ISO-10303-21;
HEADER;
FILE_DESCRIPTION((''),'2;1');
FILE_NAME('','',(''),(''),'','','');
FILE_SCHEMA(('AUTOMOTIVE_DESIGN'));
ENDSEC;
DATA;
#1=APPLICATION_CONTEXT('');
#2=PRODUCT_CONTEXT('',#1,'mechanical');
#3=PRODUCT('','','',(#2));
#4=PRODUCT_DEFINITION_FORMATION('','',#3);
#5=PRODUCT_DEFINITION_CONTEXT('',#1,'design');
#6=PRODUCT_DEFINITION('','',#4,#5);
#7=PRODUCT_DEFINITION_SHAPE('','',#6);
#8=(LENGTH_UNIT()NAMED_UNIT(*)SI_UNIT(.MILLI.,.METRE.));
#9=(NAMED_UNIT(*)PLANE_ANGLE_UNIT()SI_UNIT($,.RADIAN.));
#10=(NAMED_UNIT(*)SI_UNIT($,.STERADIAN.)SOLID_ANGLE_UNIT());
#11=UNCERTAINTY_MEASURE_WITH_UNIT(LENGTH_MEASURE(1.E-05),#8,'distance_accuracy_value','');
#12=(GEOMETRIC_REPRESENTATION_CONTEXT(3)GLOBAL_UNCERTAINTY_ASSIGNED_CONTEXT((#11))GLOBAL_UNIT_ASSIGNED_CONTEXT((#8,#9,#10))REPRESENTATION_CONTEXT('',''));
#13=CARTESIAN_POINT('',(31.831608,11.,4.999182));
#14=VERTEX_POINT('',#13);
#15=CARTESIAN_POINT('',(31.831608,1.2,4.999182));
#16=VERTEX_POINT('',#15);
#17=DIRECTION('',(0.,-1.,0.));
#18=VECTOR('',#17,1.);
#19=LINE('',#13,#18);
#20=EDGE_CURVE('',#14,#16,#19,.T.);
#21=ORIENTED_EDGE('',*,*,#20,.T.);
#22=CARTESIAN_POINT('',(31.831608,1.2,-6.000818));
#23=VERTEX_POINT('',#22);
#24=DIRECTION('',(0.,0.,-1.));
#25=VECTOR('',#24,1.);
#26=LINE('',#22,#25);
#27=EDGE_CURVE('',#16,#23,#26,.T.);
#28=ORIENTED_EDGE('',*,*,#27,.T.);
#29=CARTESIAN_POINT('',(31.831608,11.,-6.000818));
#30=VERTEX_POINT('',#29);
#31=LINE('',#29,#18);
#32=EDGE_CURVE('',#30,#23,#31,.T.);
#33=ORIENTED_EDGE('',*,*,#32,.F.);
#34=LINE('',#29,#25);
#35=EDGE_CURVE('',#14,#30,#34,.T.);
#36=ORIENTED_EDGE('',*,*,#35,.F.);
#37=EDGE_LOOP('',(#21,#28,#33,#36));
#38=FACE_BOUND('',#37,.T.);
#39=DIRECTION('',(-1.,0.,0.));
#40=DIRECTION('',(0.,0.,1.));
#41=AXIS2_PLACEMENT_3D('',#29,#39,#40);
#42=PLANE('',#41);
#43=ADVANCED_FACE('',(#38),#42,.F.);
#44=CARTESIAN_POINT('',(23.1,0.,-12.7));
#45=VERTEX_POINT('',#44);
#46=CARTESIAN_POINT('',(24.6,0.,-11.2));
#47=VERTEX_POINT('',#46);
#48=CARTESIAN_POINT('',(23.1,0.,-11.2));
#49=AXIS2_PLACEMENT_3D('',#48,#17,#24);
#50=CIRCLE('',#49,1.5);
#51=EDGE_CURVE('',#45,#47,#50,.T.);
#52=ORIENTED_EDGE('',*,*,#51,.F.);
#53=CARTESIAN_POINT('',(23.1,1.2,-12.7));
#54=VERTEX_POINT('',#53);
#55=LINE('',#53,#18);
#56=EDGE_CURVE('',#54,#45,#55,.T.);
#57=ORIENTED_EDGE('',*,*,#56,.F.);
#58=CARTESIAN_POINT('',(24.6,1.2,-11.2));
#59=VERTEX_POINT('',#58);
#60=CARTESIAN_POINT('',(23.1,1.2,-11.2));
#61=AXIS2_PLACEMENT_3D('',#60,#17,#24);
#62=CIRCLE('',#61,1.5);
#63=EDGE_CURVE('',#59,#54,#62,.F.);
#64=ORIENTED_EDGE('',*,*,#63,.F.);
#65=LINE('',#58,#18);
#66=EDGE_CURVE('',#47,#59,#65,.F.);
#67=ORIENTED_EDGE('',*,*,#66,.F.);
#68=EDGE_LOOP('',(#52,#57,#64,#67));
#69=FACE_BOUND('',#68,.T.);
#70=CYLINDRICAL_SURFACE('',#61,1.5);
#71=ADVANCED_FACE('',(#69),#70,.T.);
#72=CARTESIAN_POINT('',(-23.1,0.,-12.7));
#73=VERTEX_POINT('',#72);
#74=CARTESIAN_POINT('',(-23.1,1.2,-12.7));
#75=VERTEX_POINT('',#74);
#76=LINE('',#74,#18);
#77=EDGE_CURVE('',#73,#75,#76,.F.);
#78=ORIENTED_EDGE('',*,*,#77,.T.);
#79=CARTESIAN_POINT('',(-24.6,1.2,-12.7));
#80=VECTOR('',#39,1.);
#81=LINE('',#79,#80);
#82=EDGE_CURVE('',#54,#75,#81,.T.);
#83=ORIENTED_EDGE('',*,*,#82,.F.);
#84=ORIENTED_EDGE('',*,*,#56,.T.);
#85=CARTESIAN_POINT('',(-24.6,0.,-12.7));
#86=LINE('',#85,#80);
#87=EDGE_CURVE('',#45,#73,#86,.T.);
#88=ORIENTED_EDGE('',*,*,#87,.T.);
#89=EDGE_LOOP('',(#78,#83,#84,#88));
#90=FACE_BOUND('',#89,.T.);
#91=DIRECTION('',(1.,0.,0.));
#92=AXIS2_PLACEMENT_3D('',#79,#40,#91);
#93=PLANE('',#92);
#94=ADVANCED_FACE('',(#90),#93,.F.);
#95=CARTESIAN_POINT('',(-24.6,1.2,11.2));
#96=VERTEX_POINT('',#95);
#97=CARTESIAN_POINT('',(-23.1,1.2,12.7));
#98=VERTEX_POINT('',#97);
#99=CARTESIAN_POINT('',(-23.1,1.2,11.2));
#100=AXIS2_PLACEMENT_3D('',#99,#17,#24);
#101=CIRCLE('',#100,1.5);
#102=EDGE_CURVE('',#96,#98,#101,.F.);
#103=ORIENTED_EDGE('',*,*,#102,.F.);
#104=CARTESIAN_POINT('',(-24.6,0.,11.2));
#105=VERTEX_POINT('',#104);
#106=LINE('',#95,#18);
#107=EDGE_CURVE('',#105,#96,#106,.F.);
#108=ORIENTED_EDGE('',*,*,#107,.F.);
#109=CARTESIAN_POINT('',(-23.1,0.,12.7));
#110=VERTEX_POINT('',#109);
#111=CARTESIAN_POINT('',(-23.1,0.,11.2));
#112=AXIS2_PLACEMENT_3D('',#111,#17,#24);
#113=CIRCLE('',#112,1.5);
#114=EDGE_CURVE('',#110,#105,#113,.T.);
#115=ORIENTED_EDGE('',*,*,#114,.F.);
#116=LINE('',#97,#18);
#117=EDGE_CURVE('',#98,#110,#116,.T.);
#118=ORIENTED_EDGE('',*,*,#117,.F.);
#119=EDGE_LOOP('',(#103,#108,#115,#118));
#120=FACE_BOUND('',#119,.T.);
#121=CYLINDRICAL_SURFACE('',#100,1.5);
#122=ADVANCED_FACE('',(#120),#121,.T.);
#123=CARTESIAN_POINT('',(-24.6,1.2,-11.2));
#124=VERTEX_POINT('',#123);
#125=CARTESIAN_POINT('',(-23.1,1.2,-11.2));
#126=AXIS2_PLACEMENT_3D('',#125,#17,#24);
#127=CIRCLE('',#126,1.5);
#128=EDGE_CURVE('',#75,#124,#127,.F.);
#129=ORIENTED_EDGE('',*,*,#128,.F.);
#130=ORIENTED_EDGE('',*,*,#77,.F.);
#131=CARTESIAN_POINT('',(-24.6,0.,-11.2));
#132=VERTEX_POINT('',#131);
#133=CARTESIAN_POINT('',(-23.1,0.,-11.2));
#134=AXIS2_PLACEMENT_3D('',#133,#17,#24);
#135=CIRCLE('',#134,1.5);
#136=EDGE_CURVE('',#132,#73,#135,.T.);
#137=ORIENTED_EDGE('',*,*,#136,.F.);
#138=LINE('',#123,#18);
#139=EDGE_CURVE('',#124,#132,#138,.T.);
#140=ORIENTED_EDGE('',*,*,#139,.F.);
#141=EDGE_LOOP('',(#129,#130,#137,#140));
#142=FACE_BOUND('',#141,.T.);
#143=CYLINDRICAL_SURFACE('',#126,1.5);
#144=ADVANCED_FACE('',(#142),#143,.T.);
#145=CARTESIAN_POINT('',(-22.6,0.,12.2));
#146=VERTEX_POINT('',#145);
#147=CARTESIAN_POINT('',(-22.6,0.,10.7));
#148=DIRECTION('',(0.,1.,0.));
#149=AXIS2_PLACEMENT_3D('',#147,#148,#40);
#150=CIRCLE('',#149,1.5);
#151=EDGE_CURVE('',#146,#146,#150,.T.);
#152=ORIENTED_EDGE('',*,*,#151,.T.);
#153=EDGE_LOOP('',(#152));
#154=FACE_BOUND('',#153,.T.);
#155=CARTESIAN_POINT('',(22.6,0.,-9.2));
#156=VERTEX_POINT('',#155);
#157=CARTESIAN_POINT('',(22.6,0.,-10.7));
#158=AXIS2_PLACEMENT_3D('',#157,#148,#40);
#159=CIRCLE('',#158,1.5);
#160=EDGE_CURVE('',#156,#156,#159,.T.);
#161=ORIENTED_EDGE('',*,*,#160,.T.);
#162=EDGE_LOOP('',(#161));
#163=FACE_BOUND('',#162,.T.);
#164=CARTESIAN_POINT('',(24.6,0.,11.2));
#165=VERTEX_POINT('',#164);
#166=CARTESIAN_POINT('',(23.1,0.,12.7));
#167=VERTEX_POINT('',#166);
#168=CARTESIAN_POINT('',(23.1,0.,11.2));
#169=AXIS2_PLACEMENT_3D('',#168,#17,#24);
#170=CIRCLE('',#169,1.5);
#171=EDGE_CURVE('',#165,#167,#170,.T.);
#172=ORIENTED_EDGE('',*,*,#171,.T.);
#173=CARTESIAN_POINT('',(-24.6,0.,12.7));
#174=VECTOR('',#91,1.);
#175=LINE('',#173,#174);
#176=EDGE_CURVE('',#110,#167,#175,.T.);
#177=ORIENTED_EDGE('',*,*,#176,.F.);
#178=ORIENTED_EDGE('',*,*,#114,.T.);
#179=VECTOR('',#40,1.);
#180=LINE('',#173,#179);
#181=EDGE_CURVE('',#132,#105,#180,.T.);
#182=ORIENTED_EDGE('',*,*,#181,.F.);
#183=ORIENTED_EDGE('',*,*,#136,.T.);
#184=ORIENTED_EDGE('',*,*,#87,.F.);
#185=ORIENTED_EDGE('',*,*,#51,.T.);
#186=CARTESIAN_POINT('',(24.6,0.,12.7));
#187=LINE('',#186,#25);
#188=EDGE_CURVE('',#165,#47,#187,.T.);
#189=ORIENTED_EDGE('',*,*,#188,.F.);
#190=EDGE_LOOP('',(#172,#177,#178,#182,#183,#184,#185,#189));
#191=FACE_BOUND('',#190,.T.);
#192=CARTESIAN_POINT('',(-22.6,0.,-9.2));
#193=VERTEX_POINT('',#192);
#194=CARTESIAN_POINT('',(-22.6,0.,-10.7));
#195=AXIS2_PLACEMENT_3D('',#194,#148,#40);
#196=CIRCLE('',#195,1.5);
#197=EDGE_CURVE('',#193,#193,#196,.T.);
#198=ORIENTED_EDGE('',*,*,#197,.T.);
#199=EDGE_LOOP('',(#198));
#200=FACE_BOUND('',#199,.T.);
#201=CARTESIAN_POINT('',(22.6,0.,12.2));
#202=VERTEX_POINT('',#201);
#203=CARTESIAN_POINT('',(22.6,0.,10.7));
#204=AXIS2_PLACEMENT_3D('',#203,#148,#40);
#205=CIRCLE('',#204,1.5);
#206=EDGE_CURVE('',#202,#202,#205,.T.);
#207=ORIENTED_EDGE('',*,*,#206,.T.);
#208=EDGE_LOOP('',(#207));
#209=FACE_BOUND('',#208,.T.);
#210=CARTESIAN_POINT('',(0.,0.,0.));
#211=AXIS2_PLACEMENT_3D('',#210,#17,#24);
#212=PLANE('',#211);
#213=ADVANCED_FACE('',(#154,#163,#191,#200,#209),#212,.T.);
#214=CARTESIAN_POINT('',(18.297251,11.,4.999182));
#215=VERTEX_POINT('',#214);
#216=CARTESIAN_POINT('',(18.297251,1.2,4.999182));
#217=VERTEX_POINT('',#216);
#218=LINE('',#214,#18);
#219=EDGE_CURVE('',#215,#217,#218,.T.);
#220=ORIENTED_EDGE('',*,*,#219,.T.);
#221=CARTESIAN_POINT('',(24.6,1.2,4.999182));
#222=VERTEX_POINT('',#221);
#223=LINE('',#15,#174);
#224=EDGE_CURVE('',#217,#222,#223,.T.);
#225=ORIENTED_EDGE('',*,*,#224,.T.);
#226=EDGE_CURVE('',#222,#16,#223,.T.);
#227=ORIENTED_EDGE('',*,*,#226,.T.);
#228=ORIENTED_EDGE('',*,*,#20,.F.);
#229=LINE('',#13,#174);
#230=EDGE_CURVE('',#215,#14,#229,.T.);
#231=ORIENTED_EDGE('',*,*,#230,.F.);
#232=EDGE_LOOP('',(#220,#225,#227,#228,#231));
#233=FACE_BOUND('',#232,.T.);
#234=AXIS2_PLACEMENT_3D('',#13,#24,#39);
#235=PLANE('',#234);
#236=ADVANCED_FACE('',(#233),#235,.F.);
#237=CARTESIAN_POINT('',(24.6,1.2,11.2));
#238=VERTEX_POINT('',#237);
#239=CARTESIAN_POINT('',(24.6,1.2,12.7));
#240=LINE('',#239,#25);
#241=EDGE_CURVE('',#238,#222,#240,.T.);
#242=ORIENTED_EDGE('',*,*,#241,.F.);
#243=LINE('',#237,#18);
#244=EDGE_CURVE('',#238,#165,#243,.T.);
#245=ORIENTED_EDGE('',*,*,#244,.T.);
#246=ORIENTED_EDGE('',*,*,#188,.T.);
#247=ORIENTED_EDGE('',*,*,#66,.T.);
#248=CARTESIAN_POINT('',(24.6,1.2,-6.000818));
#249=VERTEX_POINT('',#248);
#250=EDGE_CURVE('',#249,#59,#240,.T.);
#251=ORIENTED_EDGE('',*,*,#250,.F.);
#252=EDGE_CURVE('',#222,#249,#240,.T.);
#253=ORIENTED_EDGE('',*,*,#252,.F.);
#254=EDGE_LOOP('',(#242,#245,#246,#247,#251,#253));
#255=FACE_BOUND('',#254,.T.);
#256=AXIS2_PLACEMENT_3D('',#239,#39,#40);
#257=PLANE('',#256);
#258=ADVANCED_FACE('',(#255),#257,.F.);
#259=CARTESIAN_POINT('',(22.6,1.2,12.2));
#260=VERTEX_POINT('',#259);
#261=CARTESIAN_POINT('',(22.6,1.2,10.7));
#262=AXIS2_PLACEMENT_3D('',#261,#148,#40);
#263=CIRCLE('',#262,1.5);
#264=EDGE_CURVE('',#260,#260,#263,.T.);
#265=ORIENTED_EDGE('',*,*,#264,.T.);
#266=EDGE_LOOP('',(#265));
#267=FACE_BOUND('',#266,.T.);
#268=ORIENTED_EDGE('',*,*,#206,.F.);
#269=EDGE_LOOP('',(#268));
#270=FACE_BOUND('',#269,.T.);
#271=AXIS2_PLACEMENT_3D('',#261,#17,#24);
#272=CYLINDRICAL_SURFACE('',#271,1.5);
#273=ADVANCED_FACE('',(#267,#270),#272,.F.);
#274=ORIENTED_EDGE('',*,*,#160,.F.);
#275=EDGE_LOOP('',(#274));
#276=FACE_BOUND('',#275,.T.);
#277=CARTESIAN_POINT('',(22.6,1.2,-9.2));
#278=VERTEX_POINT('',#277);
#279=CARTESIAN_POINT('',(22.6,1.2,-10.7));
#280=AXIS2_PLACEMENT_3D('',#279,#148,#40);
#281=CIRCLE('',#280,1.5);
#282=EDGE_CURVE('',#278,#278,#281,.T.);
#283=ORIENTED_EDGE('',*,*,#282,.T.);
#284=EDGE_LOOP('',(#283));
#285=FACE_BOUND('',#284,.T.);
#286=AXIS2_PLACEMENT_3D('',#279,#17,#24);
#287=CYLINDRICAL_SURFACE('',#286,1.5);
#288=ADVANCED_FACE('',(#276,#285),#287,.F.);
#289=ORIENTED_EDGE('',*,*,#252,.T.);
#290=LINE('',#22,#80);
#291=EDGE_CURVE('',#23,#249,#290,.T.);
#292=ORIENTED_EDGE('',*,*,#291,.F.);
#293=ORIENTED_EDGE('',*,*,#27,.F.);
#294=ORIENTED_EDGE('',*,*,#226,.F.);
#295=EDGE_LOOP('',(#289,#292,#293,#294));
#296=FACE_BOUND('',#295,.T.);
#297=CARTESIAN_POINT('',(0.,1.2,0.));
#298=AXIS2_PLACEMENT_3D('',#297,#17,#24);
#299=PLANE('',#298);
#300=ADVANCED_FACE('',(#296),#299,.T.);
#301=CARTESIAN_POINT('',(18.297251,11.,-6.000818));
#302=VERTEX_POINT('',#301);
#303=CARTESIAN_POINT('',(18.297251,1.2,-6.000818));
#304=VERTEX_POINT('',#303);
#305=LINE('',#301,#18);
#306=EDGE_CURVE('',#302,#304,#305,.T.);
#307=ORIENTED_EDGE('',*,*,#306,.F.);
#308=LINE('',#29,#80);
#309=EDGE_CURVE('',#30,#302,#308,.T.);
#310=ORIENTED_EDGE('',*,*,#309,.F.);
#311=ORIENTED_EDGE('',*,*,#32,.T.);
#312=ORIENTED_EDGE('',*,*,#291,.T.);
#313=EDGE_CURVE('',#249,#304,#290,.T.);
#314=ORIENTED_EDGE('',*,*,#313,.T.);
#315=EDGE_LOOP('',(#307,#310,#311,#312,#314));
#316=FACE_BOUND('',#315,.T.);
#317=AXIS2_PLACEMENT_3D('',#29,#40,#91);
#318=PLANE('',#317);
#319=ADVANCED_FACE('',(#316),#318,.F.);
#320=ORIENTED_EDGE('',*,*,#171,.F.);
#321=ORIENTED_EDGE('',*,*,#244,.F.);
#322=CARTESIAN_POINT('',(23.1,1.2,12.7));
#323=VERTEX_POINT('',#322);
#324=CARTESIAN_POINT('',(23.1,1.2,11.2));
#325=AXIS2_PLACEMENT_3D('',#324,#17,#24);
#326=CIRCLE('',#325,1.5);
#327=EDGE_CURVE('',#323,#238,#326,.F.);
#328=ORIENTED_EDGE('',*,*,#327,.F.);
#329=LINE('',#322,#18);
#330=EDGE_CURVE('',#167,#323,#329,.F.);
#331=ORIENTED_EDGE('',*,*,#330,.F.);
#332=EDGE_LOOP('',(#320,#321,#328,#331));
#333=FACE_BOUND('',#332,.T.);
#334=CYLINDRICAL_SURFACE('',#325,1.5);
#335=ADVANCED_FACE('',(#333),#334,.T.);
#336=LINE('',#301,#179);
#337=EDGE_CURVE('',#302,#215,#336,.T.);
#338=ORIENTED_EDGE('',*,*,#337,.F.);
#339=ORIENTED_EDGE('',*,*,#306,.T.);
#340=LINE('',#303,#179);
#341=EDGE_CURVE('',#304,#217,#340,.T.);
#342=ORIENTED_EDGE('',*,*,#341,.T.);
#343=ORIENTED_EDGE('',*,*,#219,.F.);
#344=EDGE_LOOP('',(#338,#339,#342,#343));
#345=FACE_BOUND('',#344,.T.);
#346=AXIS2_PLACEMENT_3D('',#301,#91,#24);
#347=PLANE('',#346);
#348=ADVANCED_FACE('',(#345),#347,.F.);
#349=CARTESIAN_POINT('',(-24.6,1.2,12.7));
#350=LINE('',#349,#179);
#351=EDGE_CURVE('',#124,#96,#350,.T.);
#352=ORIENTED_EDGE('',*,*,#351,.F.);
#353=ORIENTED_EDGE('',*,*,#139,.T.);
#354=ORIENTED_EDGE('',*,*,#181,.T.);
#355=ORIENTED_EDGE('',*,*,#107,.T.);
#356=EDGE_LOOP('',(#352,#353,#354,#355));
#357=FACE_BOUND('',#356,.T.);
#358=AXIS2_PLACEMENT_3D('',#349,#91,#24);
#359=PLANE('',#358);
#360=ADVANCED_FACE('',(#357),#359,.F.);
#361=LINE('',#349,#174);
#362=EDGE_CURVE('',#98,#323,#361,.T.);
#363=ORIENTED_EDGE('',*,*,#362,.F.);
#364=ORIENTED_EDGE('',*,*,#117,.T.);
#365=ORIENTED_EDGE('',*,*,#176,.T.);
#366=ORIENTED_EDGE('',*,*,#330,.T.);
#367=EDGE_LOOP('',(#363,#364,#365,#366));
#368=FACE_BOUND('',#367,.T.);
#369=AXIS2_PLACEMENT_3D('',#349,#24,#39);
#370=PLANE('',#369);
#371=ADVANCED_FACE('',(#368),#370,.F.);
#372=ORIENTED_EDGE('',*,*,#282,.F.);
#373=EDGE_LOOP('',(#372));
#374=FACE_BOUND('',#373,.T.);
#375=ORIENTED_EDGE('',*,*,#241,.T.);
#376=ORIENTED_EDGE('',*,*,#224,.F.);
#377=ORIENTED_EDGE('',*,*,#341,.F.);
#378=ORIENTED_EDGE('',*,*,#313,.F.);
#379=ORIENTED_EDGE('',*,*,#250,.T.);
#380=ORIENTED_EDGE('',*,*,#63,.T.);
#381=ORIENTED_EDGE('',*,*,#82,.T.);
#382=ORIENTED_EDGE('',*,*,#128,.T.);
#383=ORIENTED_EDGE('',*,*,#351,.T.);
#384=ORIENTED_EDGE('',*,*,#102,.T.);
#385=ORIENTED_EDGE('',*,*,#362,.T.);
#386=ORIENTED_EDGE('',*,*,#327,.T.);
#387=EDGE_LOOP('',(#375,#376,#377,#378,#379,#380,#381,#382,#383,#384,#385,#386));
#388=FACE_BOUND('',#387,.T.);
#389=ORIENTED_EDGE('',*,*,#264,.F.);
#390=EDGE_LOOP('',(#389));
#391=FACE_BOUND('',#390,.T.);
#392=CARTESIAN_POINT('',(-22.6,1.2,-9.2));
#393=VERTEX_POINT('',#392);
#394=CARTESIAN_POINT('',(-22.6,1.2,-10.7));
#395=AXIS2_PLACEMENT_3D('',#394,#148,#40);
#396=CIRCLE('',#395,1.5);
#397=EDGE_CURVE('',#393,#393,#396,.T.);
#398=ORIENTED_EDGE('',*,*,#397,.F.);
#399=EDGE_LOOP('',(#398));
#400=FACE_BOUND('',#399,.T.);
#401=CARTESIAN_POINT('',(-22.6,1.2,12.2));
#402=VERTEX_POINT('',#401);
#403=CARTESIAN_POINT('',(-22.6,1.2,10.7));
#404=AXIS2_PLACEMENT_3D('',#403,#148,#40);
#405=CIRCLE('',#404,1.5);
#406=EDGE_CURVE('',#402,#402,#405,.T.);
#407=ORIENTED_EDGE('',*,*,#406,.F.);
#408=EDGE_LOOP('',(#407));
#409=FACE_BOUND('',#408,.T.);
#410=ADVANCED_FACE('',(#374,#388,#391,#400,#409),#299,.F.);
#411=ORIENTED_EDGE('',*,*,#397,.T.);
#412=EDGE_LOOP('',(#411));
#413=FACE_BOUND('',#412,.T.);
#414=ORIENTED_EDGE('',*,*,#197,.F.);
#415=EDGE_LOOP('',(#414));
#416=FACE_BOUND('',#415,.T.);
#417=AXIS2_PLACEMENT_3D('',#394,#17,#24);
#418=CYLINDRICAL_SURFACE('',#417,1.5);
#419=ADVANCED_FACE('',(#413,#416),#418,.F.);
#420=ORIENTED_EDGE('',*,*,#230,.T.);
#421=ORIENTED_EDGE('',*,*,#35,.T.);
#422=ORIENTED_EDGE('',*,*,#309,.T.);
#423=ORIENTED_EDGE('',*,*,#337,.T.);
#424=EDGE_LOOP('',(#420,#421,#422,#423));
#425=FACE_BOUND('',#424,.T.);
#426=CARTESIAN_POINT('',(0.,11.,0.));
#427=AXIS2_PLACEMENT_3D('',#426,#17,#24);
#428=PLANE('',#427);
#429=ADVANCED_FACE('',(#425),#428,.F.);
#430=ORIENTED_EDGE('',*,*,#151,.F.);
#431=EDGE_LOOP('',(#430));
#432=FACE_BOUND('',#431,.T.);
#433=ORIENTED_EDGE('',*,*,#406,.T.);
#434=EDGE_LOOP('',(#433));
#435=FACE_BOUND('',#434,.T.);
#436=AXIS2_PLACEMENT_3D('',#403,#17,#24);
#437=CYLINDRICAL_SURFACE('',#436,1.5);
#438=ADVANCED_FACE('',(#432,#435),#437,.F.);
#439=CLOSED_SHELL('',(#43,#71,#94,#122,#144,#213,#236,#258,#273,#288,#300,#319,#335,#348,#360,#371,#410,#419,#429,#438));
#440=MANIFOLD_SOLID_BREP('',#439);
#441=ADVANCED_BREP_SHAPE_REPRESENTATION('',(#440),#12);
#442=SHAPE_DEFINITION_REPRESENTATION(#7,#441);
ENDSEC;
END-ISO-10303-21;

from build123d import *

# Parameters (mm, degrees)
ESQUISSE1_W        = 49.2
ESQUISSE1_H        = 25.4
ESQUISSE1_R        = 1.5
BOSS_EXTRU_1_DEPTH = 1.2
CONG_1_R           = 1.5
CONG_2_R           = 1.5
CONG_3_R           = 1.5
CONG_4_R           = 1.5
ESQUISSE3_W        = 13.534356754
ESQUISSE3_H        = 11
BOSS_EXTRU_2_DEPTH = 9.8


with BuildPart() as part:
    # Esquisse1 → Boss.-Extru.1 (new body)
    with BuildSketch(Plane(origin=(0, 0, 0), x_dir=(1, 0, 0), z_dir=(0, 1, 0))):
        Rectangle(ESQUISSE1_W, ESQUISSE1_H)
        with Locations(Location((22.6, 10.7, 0), (0, 0, 270))):
            Circle(ESQUISSE1_R, mode=Mode.SUBTRACT)
        with Locations(Location((22.6, -10.7, 0), (0, 0, 270))):
            Circle(ESQUISSE1_R, mode=Mode.SUBTRACT)
        with Locations(Location((-22.6, -10.7, 0), (0, 0, 270))):
            Circle(ESQUISSE1_R, mode=Mode.SUBTRACT)
        with Locations(Location((-22.6, 10.7, 0), (0, 0, 270))):
            Circle(ESQUISSE1_R, mode=Mode.SUBTRACT)
    extrude(amount=BOSS_EXTRU_1_DEPTH)

    # Congé1
    cong_1_edges = [part.edges().sort_by_distance(p)[0] for p in [
        (24.6, 0.6, 12.7),
    ]]
    fillet(cong_1_edges, radius=CONG_1_R)

    # Congé2
    cong_2_edges = [part.edges().sort_by_distance(p)[0] for p in [
        (-24.6, 0.6, 12.7),
    ]]
    fillet(cong_2_edges, radius=CONG_2_R)

    # Congé3
    cong_3_edges = [part.edges().sort_by_distance(p)[0] for p in [
        (24.6, 0.6, -12.7),
    ]]
    fillet(cong_3_edges, radius=CONG_3_R)

    # Congé4
    cong_4_edges = [part.edges().sort_by_distance(p)[0] for p in [
        (-24.6, 0.6, -12.7),
    ]]
    fillet(cong_4_edges, radius=CONG_4_R)

    # Esquisse3 → Boss.-Extru.2 (add)
    with BuildSketch(Plane(origin=(1.430842634, 1.2, 0.935550953), x_dir=(1, 0, 0), z_dir=(0, 1, 0))):
        with Locations((23.633586999, 1.436368818)):
            Rectangle(ESQUISSE3_W, ESQUISSE3_H)
    extrude(amount=BOSS_EXTRU_2_DEPTH)


solid = part.part
